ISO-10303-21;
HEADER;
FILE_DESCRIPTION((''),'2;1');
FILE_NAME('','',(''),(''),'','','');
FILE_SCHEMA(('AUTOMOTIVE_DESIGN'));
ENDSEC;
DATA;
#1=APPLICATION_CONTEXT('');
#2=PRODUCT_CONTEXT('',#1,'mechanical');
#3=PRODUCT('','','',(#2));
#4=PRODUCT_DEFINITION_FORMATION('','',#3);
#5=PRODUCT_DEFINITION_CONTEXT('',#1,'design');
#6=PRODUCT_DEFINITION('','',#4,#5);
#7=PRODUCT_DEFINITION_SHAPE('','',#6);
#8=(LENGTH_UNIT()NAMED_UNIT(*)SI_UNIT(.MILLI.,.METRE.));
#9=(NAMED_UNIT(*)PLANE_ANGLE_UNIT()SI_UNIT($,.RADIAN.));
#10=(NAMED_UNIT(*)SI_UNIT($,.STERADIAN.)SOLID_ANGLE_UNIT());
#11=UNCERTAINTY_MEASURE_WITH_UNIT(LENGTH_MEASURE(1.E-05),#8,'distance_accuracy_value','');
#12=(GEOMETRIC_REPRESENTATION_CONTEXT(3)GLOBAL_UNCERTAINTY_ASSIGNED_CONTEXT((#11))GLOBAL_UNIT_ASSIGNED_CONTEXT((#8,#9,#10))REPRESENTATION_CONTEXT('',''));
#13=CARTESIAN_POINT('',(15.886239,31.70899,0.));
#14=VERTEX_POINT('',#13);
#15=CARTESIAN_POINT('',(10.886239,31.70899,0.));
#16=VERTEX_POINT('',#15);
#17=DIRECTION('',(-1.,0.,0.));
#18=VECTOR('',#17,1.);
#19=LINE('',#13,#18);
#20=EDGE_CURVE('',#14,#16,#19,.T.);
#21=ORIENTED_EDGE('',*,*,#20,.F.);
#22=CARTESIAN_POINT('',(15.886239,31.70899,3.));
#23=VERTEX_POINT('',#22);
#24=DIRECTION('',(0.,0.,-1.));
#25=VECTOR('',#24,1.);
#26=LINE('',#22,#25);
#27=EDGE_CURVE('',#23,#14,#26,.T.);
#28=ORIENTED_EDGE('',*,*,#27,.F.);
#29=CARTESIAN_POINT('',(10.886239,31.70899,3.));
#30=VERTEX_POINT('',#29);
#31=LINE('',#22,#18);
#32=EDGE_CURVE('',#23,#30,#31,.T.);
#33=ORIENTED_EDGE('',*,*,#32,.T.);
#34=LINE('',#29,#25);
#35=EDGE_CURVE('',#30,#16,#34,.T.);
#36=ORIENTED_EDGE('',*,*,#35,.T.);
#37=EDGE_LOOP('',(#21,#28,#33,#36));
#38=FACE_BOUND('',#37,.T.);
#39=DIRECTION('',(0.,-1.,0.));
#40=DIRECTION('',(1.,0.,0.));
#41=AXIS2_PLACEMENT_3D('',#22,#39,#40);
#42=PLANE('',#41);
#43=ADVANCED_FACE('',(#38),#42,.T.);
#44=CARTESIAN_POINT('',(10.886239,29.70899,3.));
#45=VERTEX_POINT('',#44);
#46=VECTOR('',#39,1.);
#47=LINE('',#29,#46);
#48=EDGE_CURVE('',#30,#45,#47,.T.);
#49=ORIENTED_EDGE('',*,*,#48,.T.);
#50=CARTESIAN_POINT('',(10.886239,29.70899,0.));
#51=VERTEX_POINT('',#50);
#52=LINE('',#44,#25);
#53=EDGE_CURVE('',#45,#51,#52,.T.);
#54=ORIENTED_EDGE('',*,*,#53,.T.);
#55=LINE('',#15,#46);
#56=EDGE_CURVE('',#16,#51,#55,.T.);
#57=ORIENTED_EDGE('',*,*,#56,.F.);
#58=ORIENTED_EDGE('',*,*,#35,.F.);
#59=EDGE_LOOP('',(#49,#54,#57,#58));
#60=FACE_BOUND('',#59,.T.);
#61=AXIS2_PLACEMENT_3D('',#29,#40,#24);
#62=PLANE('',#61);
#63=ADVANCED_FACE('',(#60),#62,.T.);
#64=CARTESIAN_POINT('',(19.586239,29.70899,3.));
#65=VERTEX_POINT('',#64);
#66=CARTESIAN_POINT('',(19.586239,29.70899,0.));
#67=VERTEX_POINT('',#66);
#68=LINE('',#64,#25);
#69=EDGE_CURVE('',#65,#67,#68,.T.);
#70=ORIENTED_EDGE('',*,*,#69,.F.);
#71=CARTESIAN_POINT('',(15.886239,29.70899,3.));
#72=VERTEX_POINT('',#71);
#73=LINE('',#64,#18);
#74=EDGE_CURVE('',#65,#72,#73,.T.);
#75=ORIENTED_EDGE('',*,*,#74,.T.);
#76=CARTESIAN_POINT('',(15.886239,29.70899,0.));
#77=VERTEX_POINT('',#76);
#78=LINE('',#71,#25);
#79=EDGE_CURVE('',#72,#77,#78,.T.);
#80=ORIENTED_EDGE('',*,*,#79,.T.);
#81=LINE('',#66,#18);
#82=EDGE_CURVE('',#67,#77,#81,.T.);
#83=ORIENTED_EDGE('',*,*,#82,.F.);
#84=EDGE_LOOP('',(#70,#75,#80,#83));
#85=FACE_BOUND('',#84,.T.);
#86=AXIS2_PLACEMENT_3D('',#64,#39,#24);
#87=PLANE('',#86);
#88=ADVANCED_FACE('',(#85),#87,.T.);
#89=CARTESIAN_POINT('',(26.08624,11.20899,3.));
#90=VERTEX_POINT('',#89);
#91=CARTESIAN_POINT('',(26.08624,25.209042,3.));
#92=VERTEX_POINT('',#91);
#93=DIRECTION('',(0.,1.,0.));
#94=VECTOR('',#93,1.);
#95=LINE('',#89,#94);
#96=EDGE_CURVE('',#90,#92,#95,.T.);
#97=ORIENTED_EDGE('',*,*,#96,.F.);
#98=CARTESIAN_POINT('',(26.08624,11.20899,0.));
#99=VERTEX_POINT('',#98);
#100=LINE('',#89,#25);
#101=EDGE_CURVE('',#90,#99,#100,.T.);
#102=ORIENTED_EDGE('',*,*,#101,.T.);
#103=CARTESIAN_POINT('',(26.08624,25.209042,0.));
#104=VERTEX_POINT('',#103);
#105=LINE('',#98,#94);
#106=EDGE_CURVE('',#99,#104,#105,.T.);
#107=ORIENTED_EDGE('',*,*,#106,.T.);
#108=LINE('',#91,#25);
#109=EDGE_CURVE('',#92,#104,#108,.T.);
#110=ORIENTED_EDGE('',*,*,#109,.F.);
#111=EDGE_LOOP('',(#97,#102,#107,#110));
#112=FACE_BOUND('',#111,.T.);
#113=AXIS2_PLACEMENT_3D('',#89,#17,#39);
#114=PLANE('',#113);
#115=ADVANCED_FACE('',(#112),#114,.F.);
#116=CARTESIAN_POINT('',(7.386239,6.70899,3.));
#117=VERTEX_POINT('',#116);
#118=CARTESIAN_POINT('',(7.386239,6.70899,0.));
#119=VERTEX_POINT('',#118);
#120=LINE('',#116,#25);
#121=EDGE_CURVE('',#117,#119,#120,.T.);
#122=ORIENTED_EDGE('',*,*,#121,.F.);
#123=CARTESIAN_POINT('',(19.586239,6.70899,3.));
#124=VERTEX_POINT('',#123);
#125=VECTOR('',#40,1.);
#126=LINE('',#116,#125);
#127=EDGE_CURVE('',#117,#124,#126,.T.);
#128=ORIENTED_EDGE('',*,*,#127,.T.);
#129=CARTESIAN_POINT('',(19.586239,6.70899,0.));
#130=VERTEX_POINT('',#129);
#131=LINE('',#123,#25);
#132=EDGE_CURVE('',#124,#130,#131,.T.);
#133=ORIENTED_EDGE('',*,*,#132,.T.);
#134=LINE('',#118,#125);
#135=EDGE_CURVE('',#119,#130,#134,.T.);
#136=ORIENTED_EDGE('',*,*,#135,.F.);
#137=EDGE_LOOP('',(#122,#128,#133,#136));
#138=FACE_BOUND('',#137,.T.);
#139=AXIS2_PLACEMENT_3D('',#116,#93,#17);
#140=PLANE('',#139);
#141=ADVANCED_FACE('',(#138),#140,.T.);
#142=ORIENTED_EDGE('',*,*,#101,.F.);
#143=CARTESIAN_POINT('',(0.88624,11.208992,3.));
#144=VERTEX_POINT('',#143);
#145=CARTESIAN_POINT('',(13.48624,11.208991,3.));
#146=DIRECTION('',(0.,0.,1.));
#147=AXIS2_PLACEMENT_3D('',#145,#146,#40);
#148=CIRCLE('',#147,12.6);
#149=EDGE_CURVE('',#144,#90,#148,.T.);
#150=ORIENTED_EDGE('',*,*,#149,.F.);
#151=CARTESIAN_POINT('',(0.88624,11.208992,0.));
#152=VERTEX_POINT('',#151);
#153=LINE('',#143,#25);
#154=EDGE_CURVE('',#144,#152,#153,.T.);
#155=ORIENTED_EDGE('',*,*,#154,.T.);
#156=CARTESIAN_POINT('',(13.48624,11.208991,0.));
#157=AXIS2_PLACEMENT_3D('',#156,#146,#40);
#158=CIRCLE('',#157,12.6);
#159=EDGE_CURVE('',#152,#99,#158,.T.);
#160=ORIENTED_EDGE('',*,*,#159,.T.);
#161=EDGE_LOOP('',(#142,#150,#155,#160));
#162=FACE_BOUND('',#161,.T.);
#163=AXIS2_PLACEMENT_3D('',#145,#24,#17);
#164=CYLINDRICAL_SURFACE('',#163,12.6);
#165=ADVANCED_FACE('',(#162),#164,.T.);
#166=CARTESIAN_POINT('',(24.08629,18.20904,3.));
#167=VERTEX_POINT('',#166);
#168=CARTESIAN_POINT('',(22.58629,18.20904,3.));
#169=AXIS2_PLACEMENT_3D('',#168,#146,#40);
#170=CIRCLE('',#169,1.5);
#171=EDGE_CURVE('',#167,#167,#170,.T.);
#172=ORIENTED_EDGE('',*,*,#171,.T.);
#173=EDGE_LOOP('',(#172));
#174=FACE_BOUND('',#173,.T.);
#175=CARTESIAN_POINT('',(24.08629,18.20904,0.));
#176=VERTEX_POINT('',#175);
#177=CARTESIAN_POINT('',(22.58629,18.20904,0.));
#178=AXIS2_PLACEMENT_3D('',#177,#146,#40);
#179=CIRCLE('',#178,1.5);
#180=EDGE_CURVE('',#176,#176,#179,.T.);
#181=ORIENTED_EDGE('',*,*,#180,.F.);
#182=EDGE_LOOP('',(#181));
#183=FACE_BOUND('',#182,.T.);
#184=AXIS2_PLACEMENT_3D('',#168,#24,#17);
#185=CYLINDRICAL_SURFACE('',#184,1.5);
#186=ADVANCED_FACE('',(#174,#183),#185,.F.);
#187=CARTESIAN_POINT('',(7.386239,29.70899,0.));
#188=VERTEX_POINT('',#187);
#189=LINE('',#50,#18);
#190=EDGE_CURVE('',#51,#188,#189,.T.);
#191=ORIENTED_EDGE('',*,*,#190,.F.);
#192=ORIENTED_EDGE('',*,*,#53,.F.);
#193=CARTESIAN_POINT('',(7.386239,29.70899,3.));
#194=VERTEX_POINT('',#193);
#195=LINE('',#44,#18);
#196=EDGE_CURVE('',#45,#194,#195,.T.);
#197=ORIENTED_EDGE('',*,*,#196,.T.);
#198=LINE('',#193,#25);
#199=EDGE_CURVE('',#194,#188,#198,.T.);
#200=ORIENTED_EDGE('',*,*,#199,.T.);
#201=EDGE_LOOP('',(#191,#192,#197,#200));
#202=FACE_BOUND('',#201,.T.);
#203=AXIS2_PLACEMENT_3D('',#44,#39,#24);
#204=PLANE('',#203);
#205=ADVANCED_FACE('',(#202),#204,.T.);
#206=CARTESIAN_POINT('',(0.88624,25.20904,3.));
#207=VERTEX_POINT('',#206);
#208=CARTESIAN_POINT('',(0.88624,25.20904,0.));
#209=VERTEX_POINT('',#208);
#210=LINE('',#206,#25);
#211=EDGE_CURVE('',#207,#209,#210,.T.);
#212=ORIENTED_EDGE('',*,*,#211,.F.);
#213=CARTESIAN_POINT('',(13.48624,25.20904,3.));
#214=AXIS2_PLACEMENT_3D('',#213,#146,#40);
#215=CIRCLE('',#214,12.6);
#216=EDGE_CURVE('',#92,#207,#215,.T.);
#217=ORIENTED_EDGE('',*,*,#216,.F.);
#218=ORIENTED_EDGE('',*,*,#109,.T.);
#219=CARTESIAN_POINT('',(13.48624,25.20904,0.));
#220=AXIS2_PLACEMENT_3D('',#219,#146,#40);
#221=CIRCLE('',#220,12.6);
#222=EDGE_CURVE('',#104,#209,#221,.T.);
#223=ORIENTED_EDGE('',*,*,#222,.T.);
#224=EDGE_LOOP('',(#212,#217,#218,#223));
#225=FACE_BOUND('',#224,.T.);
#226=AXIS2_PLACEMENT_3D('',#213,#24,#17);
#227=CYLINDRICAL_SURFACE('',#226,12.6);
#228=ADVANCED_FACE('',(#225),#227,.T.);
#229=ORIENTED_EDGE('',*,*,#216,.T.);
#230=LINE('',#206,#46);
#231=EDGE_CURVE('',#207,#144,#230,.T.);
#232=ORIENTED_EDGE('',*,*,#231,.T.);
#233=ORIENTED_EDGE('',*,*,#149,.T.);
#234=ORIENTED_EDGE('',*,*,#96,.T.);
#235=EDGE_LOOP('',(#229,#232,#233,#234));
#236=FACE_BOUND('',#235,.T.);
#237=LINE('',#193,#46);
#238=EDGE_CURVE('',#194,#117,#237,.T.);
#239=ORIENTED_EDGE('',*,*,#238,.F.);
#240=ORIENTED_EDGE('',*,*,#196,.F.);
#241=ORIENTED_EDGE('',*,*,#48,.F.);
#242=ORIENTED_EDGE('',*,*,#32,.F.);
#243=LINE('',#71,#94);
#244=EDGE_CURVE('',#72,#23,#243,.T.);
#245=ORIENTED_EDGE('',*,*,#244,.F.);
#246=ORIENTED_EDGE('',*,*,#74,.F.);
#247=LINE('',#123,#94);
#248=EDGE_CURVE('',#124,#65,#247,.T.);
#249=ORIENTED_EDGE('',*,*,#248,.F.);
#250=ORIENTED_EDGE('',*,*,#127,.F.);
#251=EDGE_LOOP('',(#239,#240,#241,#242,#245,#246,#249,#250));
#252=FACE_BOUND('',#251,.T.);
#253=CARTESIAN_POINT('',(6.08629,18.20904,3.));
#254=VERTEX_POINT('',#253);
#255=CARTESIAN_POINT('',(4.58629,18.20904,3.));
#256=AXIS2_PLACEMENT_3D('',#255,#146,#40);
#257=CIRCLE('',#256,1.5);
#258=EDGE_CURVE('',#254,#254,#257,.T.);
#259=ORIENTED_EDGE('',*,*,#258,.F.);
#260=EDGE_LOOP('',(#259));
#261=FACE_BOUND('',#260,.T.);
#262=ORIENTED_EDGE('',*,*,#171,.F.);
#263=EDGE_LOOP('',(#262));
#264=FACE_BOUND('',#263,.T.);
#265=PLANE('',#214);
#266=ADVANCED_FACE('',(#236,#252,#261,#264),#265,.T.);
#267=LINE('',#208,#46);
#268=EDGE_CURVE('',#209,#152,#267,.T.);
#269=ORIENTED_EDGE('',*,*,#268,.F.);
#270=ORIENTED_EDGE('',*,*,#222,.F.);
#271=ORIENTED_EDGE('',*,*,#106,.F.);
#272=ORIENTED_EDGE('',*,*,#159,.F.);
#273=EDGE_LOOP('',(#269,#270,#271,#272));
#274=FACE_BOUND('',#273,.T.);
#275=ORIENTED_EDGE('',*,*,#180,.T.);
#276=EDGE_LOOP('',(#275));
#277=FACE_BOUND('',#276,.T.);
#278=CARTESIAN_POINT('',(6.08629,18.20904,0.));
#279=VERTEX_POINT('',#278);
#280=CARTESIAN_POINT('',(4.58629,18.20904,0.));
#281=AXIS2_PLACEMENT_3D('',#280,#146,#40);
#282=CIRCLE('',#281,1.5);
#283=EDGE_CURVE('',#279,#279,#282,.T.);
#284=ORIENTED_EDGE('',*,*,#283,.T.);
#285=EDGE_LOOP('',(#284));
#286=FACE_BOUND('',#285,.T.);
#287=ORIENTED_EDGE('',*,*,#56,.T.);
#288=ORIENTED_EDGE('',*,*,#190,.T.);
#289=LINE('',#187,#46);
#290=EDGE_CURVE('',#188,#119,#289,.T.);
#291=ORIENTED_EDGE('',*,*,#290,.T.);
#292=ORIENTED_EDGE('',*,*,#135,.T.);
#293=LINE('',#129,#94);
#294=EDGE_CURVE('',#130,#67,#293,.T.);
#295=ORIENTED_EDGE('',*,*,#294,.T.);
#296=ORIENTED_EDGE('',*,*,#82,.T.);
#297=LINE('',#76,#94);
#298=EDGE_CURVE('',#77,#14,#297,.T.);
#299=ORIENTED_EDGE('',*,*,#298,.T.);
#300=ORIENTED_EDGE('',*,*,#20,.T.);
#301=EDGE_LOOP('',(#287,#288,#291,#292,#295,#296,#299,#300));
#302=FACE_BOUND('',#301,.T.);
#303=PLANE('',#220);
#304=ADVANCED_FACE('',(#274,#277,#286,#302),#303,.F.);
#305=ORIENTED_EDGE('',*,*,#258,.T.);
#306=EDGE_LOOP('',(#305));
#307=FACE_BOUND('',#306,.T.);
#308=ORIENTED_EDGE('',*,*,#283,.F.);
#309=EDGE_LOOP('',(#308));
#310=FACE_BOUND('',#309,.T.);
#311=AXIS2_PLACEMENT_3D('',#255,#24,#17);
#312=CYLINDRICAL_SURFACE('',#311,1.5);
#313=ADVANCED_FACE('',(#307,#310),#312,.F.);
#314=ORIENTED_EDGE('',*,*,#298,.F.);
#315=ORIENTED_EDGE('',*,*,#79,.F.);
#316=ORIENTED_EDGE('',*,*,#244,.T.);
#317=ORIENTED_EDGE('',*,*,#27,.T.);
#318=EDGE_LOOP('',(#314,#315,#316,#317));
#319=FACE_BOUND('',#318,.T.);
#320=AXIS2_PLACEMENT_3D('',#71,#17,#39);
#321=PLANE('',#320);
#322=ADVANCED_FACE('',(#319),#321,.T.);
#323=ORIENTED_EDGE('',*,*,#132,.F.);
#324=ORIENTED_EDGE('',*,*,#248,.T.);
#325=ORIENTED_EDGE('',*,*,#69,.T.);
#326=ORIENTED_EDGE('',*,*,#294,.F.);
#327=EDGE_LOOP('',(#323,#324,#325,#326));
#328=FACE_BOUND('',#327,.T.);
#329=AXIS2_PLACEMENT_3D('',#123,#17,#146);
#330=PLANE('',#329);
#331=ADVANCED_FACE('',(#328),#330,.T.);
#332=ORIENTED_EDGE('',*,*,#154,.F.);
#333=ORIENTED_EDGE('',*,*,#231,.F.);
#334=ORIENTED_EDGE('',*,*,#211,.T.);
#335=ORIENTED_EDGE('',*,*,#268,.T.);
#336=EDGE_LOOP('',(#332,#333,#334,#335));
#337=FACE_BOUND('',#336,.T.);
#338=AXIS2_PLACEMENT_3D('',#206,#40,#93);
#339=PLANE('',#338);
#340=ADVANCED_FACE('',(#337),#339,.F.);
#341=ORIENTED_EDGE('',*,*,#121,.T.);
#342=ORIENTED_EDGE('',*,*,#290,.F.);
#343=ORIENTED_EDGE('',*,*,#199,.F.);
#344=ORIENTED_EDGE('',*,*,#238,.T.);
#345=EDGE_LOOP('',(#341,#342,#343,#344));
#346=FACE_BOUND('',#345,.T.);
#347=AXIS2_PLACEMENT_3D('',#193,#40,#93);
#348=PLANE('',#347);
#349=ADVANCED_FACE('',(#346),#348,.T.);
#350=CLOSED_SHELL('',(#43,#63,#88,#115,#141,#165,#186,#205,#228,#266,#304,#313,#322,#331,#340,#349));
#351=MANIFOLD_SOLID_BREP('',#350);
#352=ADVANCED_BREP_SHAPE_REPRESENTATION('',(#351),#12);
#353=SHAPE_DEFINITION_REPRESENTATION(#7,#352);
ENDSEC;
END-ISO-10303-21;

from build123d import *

# Parameters (mm, degrees)
MODEL_R             = 1.5
BOSS_EXTRUDE1_DEPTH = 3


with BuildPart() as part:
    # Model → Boss-Extrude1 (new body)
    with BuildSketch(Plane.XY):
        with BuildLine():
            Line((0.88624, 25.209039561), (0.88624, 11.208991882))
            ThreePointArc((0.88624, 11.208991882), (13.486238839, -1.391009279), (26.08624, 11.20898956))
            Line((26.08624, 11.20898956), (26.08624, 25.209041884))
            ThreePointArc((26.08624, 25.209041884), (13.486238839, 37.809039561), (0.88624, 25.209039561))
        make_face()
        with Locations((4.586289997, 18.209039557)):
            Circle(MODEL_R, mode=Mode.SUBTRACT)
        with Locations((22.586289997, 18.209039557)):
            Circle(MODEL_R, mode=Mode.SUBTRACT)
        Polygon((19.586238839, 6.708989561), (19.586238839, 29.708989561), (15.886238839, 29.708989561), (15.886238839, 31.708989561), (10.886238839, 31.708989561), (10.886238839, 29.708989561), (7.386238839, 29.708989561), (7.386238839, 6.708989561), align=None, mode=Mode.SUBTRACT)
    extrude(amount=BOSS_EXTRUDE1_DEPTH)


solid = part.part
